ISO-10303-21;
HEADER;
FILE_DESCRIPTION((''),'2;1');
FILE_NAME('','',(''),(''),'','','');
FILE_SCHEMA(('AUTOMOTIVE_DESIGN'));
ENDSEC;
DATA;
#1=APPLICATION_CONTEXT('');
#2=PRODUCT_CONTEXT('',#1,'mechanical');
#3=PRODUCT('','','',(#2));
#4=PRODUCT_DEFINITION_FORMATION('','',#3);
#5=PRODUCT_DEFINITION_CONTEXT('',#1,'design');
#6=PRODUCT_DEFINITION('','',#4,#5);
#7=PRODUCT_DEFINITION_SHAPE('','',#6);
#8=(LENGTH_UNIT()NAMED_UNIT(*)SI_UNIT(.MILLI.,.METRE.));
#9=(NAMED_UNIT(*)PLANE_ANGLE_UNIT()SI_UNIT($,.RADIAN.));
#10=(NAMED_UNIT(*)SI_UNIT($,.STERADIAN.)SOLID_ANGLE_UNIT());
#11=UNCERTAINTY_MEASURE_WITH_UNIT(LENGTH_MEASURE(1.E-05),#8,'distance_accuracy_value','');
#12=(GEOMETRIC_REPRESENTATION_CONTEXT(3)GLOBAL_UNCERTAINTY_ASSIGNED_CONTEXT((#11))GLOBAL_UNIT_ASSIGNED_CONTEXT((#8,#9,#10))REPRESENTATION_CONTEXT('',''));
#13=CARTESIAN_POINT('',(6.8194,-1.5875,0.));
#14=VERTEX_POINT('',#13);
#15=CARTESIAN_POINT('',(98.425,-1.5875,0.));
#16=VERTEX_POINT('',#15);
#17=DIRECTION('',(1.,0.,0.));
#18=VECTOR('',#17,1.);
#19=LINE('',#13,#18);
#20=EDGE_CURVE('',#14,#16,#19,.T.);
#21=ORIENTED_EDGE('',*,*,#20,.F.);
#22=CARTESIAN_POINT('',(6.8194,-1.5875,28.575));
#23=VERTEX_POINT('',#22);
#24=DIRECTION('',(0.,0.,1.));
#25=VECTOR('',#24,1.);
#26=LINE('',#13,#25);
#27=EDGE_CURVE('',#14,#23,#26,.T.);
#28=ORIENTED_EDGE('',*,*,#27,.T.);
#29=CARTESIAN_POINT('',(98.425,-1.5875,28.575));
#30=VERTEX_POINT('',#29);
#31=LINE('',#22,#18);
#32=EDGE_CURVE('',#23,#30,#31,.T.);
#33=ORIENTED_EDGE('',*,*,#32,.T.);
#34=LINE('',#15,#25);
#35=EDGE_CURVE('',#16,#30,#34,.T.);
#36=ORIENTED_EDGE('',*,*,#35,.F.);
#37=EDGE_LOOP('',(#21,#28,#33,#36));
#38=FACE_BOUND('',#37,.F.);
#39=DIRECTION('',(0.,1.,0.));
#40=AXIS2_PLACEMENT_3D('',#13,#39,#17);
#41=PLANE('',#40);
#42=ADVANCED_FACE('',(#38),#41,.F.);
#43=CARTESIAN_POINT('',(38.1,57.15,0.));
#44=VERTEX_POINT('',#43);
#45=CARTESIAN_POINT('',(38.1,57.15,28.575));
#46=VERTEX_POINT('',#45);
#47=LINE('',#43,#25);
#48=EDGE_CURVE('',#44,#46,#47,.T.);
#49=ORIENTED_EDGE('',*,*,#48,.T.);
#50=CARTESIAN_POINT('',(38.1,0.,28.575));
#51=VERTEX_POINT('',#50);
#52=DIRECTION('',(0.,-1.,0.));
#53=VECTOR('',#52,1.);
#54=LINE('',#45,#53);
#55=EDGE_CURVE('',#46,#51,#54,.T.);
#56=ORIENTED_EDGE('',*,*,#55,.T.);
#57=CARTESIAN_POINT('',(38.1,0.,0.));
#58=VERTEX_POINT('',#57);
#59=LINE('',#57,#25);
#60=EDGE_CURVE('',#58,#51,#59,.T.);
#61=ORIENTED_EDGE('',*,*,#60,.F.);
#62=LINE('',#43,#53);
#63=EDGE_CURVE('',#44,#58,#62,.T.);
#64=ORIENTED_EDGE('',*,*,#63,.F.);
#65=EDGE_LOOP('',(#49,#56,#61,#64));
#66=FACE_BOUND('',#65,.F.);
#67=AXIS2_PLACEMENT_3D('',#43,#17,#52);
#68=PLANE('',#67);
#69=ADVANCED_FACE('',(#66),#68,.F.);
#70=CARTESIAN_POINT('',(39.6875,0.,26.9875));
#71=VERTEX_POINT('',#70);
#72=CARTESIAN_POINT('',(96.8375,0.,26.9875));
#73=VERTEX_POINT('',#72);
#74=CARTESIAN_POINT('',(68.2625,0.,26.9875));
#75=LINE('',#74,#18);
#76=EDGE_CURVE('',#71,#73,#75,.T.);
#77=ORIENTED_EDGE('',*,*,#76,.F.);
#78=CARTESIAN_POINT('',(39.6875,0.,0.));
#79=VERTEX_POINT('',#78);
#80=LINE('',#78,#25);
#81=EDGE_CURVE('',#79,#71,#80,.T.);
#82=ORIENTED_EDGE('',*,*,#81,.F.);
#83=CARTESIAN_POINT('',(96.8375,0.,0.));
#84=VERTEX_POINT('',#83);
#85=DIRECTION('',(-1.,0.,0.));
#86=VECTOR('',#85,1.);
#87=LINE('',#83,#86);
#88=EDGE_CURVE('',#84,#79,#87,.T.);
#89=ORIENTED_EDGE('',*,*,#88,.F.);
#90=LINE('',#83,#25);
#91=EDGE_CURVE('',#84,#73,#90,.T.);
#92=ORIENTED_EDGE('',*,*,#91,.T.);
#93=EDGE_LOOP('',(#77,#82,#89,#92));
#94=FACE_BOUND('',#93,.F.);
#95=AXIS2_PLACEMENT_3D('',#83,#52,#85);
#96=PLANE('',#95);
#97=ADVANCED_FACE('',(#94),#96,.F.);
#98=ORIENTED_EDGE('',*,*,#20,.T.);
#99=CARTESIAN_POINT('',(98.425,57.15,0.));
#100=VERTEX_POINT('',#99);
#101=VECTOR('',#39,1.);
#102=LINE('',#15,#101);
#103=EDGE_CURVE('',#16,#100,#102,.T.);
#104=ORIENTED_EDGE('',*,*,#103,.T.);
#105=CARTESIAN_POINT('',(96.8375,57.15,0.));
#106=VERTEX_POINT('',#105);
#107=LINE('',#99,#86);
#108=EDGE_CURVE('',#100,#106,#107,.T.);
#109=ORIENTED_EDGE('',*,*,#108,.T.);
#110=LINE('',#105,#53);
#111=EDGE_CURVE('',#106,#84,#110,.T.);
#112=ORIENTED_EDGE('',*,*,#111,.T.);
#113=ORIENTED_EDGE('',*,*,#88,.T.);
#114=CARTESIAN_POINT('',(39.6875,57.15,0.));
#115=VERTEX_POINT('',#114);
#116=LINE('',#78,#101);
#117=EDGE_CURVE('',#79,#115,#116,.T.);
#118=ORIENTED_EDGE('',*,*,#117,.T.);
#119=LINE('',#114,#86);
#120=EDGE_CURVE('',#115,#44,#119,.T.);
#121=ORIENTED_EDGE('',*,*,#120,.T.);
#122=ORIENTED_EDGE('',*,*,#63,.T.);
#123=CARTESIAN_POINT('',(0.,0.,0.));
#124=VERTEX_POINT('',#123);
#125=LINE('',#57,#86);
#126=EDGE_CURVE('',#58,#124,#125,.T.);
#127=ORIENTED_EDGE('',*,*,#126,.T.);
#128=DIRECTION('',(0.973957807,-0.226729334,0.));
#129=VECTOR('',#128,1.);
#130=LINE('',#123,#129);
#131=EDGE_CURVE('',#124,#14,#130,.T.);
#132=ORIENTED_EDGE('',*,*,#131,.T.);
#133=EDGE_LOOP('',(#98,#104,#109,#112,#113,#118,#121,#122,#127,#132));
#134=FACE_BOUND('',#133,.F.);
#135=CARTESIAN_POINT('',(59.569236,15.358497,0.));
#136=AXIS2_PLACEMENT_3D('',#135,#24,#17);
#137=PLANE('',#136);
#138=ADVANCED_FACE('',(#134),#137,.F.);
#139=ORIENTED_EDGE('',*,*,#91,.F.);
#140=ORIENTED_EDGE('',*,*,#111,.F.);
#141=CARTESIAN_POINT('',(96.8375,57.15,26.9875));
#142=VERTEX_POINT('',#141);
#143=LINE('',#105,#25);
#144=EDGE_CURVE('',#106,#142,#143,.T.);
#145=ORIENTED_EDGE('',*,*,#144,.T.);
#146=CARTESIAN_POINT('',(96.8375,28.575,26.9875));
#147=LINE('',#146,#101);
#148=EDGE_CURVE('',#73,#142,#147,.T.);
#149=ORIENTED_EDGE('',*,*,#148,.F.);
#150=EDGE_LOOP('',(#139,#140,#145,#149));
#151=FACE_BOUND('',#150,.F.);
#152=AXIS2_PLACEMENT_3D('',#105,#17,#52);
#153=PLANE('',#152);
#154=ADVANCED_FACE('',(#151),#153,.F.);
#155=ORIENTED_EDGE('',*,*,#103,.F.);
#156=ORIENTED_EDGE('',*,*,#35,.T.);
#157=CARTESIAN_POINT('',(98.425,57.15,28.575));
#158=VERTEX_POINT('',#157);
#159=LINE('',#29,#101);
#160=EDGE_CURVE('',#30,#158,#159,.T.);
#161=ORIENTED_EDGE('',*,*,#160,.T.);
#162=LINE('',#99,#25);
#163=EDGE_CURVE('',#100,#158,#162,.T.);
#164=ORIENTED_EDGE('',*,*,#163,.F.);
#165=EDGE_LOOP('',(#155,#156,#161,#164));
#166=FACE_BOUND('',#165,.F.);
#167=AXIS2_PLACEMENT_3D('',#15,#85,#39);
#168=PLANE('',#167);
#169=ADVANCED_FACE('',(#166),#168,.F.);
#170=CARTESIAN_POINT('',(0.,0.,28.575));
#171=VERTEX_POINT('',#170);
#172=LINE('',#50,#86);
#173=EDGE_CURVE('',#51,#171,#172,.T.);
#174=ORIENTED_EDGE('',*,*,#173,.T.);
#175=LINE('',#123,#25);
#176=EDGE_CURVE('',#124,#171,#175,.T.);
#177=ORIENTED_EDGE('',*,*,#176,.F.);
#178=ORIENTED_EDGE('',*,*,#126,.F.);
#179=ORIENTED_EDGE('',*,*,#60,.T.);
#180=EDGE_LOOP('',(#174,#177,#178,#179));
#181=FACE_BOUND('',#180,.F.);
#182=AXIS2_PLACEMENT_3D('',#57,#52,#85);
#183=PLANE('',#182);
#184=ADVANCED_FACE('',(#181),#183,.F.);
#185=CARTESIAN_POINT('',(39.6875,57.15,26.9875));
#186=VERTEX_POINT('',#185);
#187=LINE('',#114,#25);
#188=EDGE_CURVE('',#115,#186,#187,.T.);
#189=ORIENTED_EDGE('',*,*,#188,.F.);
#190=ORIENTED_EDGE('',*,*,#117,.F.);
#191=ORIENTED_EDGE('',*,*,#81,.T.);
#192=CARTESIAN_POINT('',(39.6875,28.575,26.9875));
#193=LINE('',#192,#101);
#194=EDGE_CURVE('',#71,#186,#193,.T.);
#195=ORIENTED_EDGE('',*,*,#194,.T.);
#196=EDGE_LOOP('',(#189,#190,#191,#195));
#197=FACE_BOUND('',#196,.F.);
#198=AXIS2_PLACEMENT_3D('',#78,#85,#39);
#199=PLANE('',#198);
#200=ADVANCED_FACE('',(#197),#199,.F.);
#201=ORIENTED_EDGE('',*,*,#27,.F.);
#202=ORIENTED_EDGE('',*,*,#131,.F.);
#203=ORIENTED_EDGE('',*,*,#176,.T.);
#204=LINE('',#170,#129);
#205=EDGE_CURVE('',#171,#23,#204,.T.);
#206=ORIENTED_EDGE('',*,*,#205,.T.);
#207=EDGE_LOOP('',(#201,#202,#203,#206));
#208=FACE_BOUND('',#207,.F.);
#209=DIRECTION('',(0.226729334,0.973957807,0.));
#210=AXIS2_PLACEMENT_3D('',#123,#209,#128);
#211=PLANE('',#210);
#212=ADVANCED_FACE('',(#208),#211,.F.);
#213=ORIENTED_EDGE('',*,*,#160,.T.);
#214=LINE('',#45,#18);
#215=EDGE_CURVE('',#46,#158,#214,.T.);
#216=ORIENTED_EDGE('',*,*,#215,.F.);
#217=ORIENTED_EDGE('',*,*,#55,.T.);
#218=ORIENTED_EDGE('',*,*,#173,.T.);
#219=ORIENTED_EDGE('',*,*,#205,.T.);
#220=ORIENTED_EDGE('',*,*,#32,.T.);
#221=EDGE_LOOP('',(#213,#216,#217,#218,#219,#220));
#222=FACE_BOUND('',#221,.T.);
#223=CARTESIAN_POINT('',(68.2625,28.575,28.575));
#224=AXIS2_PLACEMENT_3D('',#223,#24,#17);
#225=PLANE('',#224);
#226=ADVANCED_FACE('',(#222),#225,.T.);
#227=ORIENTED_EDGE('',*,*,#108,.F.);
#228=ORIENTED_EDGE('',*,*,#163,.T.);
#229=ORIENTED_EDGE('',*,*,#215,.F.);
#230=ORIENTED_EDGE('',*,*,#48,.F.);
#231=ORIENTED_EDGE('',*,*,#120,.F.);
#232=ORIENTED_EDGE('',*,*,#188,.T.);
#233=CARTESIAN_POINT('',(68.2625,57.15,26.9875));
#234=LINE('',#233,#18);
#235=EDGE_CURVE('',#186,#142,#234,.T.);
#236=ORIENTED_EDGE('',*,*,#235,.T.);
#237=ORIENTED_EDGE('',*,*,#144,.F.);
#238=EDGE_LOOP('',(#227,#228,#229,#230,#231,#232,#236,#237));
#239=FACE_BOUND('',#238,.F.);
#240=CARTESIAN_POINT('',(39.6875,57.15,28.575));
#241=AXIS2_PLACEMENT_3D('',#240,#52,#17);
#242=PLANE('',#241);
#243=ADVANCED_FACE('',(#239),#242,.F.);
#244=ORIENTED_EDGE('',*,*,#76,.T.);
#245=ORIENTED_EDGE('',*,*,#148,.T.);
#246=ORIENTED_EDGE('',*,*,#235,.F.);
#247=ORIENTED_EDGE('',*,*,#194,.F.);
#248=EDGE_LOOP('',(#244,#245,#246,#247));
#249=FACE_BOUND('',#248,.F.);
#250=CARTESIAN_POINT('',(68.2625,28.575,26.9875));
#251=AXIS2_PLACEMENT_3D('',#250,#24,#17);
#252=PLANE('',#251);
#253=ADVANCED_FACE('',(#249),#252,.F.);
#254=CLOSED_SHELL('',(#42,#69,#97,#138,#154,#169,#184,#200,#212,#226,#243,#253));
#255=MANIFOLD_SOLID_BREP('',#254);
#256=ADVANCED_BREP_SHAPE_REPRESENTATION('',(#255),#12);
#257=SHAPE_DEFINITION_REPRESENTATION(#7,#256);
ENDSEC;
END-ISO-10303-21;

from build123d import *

# Parameters (mm, degrees)
F1_DEPTH = 28.575
F2_W     = 57.15
F2_H     = 57.15
F3_DEPTH = 1.5875


with BuildPart() as f1:
    # F0 (on Top) → F1 (new body)
    with BuildSketch(Plane.XY):
        Polygon((38.1, 0), (0, 0), (6.8194, -1.5875), (98.425, -1.5875), (98.425, 57.15), (96.8375, 57.15), (96.8375, 0), (39.6875, 0), (39.6875, 57.15), (38.1, 57.15), align=None)
    extrude(amount=F1_DEPTH)

    # F2 (on face) → F3 (join)
    with BuildSketch(Plane.XY.offset(28.575)):
        with Locations((68.2625, 28.575)):
            Rectangle(F2_W, F2_H)
    extrude(amount=-F3_DEPTH)


solid = f1.part
